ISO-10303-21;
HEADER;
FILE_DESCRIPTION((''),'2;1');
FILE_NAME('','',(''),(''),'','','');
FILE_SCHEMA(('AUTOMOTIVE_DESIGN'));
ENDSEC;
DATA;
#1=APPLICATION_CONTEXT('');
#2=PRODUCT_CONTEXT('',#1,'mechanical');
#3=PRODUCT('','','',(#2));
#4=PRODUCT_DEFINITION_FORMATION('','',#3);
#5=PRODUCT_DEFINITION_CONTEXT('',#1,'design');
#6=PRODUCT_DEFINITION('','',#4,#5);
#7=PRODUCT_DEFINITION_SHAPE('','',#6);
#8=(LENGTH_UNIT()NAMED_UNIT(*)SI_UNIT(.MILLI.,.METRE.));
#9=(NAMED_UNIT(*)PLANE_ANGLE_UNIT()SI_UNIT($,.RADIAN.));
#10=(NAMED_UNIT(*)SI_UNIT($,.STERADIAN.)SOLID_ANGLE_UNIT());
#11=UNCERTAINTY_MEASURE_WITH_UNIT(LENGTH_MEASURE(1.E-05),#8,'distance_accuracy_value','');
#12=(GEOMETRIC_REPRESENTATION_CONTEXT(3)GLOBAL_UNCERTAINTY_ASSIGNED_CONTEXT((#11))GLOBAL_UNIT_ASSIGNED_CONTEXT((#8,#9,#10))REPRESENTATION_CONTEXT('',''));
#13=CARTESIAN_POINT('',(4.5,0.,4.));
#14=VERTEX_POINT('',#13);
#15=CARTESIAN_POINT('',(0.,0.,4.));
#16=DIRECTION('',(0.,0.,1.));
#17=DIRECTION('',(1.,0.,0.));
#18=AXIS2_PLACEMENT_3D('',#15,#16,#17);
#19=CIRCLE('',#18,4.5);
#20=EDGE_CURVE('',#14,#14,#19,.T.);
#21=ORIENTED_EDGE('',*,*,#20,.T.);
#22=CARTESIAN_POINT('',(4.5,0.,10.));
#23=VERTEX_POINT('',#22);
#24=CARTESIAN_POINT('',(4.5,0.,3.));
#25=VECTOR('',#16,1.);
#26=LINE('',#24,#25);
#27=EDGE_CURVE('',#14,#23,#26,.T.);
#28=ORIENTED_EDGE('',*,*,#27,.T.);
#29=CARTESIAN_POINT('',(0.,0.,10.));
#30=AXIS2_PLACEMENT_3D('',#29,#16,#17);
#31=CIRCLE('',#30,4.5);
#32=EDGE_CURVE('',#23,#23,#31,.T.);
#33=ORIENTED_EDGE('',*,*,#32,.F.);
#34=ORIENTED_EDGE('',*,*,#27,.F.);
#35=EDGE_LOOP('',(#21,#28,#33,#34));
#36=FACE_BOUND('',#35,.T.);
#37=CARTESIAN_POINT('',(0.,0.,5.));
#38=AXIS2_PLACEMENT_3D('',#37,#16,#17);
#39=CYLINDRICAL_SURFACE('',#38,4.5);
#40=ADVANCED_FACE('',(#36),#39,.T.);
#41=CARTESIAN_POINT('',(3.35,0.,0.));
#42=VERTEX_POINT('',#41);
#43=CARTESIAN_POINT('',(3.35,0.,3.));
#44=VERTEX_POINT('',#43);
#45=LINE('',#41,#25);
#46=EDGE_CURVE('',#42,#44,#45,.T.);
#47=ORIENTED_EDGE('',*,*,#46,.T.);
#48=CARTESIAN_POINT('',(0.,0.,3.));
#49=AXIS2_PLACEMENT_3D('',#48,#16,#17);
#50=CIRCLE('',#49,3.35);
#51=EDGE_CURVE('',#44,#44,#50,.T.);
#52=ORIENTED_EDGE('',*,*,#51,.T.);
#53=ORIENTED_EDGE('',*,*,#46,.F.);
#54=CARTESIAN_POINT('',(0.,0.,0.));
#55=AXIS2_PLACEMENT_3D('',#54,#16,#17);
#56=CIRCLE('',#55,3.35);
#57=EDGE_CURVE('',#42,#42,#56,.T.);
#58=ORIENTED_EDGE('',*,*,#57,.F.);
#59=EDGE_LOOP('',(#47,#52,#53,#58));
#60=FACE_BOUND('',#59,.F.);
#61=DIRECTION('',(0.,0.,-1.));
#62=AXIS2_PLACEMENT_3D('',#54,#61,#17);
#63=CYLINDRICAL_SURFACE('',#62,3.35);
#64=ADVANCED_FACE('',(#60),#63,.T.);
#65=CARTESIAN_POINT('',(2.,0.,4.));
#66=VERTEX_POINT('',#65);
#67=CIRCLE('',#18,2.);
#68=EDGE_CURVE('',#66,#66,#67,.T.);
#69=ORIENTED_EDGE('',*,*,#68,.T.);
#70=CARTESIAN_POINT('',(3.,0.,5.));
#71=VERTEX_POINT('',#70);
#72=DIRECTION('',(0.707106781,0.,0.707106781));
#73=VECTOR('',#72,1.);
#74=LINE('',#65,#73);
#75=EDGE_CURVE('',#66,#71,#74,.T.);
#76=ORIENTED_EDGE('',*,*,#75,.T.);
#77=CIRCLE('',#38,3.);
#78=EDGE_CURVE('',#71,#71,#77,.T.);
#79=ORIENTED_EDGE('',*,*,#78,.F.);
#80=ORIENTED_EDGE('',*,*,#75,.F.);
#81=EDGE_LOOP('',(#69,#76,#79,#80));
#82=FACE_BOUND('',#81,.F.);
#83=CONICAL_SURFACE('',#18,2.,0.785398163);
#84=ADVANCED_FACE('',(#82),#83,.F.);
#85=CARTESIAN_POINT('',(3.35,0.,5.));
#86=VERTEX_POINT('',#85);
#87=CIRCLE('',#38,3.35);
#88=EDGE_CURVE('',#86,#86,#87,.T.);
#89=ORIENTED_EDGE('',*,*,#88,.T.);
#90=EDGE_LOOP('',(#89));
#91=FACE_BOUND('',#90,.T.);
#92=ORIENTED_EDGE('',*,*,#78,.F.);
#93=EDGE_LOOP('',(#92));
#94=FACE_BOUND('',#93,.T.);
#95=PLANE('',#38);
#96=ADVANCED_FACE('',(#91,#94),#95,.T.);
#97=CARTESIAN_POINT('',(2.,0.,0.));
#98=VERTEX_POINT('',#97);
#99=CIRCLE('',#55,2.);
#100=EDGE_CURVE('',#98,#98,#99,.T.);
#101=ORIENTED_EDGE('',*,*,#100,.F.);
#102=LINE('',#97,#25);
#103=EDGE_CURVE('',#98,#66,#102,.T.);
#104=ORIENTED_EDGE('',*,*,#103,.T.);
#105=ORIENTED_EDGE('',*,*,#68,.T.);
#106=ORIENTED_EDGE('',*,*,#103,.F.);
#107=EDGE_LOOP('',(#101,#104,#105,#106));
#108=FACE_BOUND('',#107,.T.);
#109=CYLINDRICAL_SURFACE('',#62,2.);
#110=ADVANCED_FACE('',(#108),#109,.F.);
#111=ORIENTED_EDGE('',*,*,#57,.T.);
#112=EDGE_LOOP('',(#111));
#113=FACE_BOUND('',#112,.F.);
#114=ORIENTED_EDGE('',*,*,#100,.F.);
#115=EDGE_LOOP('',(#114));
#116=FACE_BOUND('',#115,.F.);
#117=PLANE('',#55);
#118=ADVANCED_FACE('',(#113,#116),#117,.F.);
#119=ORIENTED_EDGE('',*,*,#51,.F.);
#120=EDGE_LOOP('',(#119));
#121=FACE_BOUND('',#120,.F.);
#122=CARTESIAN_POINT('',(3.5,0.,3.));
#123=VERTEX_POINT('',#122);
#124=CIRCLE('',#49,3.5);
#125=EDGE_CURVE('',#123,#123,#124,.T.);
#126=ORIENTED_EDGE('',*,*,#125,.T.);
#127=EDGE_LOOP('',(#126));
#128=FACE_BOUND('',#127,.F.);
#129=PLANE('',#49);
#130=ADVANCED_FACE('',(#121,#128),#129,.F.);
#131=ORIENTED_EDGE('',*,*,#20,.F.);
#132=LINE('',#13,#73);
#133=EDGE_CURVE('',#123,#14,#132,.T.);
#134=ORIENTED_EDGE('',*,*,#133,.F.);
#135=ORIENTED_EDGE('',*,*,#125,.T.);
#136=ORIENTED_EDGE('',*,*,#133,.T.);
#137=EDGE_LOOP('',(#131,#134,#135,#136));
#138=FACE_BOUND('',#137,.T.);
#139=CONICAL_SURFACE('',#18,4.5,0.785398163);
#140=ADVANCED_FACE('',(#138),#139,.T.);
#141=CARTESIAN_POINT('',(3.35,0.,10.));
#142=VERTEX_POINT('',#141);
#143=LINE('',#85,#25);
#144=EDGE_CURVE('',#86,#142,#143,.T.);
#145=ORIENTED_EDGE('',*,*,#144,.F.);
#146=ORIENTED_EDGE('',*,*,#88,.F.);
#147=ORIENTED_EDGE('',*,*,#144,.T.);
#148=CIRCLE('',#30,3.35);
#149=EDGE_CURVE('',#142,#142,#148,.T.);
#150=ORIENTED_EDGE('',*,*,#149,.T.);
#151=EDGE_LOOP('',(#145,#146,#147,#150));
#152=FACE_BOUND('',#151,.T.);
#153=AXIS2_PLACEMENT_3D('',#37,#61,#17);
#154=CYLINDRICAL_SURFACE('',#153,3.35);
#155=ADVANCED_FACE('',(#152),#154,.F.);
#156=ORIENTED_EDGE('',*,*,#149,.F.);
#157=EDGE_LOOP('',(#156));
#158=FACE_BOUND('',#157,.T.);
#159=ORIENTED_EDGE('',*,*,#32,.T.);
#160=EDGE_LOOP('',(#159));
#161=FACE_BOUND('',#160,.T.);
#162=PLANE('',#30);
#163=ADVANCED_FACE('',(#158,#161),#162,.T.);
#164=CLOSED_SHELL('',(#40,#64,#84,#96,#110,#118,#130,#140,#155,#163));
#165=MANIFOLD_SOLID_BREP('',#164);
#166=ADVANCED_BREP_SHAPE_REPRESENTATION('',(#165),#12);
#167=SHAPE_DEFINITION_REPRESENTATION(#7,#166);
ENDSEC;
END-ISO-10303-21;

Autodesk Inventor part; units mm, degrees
ref_plane "YZ Plane" through (0, 0, 0) normal (1, 0, 0) x (0, 1, 0)
ref_plane "XZ Plane" through (0, 0, 0) normal (0, 1, 0) x (-1, 0, 0)
ref_plane "XY Plane" through (0, 0, 0) normal (0, 0, 1) x (1, 0, 0)
sketch "Sketch1" plane through (0, 0, 0) normal (0, 0, 1) x (1, 0, 0)
  circle A0 centre (0, 0) radius 3.35
  circle A1 centre (0, 0) radius 2
  dimension "d0" = 6.7
  dimension "d1" = 4
extrude "Extrusion1" add sketch "Sketch1" along normal blind 5
sketch "Sketch2" plane through (0, 0, 5) normal (0, 0, 1) x (1, 0, 0)
  circle A0 centre (0, 0) radius 2 projected
  circle A1 centre (0, 0) radius 3.35
  circle A2 centre (0, 0) radius 4.5
  dimension "d4" = 6.7
  dimension "d5" = 9
extrude "Extrusion2" add sketch "Sketch2" along normal blind 5 and the other way blind 2 contours A2
chamfer "Chamfer1" distance 1 angle 45 2 edges at (-4.5, 0, 3) (-2, 0, 5)
properties part number "Matchboxscope_lenstube_v0"
